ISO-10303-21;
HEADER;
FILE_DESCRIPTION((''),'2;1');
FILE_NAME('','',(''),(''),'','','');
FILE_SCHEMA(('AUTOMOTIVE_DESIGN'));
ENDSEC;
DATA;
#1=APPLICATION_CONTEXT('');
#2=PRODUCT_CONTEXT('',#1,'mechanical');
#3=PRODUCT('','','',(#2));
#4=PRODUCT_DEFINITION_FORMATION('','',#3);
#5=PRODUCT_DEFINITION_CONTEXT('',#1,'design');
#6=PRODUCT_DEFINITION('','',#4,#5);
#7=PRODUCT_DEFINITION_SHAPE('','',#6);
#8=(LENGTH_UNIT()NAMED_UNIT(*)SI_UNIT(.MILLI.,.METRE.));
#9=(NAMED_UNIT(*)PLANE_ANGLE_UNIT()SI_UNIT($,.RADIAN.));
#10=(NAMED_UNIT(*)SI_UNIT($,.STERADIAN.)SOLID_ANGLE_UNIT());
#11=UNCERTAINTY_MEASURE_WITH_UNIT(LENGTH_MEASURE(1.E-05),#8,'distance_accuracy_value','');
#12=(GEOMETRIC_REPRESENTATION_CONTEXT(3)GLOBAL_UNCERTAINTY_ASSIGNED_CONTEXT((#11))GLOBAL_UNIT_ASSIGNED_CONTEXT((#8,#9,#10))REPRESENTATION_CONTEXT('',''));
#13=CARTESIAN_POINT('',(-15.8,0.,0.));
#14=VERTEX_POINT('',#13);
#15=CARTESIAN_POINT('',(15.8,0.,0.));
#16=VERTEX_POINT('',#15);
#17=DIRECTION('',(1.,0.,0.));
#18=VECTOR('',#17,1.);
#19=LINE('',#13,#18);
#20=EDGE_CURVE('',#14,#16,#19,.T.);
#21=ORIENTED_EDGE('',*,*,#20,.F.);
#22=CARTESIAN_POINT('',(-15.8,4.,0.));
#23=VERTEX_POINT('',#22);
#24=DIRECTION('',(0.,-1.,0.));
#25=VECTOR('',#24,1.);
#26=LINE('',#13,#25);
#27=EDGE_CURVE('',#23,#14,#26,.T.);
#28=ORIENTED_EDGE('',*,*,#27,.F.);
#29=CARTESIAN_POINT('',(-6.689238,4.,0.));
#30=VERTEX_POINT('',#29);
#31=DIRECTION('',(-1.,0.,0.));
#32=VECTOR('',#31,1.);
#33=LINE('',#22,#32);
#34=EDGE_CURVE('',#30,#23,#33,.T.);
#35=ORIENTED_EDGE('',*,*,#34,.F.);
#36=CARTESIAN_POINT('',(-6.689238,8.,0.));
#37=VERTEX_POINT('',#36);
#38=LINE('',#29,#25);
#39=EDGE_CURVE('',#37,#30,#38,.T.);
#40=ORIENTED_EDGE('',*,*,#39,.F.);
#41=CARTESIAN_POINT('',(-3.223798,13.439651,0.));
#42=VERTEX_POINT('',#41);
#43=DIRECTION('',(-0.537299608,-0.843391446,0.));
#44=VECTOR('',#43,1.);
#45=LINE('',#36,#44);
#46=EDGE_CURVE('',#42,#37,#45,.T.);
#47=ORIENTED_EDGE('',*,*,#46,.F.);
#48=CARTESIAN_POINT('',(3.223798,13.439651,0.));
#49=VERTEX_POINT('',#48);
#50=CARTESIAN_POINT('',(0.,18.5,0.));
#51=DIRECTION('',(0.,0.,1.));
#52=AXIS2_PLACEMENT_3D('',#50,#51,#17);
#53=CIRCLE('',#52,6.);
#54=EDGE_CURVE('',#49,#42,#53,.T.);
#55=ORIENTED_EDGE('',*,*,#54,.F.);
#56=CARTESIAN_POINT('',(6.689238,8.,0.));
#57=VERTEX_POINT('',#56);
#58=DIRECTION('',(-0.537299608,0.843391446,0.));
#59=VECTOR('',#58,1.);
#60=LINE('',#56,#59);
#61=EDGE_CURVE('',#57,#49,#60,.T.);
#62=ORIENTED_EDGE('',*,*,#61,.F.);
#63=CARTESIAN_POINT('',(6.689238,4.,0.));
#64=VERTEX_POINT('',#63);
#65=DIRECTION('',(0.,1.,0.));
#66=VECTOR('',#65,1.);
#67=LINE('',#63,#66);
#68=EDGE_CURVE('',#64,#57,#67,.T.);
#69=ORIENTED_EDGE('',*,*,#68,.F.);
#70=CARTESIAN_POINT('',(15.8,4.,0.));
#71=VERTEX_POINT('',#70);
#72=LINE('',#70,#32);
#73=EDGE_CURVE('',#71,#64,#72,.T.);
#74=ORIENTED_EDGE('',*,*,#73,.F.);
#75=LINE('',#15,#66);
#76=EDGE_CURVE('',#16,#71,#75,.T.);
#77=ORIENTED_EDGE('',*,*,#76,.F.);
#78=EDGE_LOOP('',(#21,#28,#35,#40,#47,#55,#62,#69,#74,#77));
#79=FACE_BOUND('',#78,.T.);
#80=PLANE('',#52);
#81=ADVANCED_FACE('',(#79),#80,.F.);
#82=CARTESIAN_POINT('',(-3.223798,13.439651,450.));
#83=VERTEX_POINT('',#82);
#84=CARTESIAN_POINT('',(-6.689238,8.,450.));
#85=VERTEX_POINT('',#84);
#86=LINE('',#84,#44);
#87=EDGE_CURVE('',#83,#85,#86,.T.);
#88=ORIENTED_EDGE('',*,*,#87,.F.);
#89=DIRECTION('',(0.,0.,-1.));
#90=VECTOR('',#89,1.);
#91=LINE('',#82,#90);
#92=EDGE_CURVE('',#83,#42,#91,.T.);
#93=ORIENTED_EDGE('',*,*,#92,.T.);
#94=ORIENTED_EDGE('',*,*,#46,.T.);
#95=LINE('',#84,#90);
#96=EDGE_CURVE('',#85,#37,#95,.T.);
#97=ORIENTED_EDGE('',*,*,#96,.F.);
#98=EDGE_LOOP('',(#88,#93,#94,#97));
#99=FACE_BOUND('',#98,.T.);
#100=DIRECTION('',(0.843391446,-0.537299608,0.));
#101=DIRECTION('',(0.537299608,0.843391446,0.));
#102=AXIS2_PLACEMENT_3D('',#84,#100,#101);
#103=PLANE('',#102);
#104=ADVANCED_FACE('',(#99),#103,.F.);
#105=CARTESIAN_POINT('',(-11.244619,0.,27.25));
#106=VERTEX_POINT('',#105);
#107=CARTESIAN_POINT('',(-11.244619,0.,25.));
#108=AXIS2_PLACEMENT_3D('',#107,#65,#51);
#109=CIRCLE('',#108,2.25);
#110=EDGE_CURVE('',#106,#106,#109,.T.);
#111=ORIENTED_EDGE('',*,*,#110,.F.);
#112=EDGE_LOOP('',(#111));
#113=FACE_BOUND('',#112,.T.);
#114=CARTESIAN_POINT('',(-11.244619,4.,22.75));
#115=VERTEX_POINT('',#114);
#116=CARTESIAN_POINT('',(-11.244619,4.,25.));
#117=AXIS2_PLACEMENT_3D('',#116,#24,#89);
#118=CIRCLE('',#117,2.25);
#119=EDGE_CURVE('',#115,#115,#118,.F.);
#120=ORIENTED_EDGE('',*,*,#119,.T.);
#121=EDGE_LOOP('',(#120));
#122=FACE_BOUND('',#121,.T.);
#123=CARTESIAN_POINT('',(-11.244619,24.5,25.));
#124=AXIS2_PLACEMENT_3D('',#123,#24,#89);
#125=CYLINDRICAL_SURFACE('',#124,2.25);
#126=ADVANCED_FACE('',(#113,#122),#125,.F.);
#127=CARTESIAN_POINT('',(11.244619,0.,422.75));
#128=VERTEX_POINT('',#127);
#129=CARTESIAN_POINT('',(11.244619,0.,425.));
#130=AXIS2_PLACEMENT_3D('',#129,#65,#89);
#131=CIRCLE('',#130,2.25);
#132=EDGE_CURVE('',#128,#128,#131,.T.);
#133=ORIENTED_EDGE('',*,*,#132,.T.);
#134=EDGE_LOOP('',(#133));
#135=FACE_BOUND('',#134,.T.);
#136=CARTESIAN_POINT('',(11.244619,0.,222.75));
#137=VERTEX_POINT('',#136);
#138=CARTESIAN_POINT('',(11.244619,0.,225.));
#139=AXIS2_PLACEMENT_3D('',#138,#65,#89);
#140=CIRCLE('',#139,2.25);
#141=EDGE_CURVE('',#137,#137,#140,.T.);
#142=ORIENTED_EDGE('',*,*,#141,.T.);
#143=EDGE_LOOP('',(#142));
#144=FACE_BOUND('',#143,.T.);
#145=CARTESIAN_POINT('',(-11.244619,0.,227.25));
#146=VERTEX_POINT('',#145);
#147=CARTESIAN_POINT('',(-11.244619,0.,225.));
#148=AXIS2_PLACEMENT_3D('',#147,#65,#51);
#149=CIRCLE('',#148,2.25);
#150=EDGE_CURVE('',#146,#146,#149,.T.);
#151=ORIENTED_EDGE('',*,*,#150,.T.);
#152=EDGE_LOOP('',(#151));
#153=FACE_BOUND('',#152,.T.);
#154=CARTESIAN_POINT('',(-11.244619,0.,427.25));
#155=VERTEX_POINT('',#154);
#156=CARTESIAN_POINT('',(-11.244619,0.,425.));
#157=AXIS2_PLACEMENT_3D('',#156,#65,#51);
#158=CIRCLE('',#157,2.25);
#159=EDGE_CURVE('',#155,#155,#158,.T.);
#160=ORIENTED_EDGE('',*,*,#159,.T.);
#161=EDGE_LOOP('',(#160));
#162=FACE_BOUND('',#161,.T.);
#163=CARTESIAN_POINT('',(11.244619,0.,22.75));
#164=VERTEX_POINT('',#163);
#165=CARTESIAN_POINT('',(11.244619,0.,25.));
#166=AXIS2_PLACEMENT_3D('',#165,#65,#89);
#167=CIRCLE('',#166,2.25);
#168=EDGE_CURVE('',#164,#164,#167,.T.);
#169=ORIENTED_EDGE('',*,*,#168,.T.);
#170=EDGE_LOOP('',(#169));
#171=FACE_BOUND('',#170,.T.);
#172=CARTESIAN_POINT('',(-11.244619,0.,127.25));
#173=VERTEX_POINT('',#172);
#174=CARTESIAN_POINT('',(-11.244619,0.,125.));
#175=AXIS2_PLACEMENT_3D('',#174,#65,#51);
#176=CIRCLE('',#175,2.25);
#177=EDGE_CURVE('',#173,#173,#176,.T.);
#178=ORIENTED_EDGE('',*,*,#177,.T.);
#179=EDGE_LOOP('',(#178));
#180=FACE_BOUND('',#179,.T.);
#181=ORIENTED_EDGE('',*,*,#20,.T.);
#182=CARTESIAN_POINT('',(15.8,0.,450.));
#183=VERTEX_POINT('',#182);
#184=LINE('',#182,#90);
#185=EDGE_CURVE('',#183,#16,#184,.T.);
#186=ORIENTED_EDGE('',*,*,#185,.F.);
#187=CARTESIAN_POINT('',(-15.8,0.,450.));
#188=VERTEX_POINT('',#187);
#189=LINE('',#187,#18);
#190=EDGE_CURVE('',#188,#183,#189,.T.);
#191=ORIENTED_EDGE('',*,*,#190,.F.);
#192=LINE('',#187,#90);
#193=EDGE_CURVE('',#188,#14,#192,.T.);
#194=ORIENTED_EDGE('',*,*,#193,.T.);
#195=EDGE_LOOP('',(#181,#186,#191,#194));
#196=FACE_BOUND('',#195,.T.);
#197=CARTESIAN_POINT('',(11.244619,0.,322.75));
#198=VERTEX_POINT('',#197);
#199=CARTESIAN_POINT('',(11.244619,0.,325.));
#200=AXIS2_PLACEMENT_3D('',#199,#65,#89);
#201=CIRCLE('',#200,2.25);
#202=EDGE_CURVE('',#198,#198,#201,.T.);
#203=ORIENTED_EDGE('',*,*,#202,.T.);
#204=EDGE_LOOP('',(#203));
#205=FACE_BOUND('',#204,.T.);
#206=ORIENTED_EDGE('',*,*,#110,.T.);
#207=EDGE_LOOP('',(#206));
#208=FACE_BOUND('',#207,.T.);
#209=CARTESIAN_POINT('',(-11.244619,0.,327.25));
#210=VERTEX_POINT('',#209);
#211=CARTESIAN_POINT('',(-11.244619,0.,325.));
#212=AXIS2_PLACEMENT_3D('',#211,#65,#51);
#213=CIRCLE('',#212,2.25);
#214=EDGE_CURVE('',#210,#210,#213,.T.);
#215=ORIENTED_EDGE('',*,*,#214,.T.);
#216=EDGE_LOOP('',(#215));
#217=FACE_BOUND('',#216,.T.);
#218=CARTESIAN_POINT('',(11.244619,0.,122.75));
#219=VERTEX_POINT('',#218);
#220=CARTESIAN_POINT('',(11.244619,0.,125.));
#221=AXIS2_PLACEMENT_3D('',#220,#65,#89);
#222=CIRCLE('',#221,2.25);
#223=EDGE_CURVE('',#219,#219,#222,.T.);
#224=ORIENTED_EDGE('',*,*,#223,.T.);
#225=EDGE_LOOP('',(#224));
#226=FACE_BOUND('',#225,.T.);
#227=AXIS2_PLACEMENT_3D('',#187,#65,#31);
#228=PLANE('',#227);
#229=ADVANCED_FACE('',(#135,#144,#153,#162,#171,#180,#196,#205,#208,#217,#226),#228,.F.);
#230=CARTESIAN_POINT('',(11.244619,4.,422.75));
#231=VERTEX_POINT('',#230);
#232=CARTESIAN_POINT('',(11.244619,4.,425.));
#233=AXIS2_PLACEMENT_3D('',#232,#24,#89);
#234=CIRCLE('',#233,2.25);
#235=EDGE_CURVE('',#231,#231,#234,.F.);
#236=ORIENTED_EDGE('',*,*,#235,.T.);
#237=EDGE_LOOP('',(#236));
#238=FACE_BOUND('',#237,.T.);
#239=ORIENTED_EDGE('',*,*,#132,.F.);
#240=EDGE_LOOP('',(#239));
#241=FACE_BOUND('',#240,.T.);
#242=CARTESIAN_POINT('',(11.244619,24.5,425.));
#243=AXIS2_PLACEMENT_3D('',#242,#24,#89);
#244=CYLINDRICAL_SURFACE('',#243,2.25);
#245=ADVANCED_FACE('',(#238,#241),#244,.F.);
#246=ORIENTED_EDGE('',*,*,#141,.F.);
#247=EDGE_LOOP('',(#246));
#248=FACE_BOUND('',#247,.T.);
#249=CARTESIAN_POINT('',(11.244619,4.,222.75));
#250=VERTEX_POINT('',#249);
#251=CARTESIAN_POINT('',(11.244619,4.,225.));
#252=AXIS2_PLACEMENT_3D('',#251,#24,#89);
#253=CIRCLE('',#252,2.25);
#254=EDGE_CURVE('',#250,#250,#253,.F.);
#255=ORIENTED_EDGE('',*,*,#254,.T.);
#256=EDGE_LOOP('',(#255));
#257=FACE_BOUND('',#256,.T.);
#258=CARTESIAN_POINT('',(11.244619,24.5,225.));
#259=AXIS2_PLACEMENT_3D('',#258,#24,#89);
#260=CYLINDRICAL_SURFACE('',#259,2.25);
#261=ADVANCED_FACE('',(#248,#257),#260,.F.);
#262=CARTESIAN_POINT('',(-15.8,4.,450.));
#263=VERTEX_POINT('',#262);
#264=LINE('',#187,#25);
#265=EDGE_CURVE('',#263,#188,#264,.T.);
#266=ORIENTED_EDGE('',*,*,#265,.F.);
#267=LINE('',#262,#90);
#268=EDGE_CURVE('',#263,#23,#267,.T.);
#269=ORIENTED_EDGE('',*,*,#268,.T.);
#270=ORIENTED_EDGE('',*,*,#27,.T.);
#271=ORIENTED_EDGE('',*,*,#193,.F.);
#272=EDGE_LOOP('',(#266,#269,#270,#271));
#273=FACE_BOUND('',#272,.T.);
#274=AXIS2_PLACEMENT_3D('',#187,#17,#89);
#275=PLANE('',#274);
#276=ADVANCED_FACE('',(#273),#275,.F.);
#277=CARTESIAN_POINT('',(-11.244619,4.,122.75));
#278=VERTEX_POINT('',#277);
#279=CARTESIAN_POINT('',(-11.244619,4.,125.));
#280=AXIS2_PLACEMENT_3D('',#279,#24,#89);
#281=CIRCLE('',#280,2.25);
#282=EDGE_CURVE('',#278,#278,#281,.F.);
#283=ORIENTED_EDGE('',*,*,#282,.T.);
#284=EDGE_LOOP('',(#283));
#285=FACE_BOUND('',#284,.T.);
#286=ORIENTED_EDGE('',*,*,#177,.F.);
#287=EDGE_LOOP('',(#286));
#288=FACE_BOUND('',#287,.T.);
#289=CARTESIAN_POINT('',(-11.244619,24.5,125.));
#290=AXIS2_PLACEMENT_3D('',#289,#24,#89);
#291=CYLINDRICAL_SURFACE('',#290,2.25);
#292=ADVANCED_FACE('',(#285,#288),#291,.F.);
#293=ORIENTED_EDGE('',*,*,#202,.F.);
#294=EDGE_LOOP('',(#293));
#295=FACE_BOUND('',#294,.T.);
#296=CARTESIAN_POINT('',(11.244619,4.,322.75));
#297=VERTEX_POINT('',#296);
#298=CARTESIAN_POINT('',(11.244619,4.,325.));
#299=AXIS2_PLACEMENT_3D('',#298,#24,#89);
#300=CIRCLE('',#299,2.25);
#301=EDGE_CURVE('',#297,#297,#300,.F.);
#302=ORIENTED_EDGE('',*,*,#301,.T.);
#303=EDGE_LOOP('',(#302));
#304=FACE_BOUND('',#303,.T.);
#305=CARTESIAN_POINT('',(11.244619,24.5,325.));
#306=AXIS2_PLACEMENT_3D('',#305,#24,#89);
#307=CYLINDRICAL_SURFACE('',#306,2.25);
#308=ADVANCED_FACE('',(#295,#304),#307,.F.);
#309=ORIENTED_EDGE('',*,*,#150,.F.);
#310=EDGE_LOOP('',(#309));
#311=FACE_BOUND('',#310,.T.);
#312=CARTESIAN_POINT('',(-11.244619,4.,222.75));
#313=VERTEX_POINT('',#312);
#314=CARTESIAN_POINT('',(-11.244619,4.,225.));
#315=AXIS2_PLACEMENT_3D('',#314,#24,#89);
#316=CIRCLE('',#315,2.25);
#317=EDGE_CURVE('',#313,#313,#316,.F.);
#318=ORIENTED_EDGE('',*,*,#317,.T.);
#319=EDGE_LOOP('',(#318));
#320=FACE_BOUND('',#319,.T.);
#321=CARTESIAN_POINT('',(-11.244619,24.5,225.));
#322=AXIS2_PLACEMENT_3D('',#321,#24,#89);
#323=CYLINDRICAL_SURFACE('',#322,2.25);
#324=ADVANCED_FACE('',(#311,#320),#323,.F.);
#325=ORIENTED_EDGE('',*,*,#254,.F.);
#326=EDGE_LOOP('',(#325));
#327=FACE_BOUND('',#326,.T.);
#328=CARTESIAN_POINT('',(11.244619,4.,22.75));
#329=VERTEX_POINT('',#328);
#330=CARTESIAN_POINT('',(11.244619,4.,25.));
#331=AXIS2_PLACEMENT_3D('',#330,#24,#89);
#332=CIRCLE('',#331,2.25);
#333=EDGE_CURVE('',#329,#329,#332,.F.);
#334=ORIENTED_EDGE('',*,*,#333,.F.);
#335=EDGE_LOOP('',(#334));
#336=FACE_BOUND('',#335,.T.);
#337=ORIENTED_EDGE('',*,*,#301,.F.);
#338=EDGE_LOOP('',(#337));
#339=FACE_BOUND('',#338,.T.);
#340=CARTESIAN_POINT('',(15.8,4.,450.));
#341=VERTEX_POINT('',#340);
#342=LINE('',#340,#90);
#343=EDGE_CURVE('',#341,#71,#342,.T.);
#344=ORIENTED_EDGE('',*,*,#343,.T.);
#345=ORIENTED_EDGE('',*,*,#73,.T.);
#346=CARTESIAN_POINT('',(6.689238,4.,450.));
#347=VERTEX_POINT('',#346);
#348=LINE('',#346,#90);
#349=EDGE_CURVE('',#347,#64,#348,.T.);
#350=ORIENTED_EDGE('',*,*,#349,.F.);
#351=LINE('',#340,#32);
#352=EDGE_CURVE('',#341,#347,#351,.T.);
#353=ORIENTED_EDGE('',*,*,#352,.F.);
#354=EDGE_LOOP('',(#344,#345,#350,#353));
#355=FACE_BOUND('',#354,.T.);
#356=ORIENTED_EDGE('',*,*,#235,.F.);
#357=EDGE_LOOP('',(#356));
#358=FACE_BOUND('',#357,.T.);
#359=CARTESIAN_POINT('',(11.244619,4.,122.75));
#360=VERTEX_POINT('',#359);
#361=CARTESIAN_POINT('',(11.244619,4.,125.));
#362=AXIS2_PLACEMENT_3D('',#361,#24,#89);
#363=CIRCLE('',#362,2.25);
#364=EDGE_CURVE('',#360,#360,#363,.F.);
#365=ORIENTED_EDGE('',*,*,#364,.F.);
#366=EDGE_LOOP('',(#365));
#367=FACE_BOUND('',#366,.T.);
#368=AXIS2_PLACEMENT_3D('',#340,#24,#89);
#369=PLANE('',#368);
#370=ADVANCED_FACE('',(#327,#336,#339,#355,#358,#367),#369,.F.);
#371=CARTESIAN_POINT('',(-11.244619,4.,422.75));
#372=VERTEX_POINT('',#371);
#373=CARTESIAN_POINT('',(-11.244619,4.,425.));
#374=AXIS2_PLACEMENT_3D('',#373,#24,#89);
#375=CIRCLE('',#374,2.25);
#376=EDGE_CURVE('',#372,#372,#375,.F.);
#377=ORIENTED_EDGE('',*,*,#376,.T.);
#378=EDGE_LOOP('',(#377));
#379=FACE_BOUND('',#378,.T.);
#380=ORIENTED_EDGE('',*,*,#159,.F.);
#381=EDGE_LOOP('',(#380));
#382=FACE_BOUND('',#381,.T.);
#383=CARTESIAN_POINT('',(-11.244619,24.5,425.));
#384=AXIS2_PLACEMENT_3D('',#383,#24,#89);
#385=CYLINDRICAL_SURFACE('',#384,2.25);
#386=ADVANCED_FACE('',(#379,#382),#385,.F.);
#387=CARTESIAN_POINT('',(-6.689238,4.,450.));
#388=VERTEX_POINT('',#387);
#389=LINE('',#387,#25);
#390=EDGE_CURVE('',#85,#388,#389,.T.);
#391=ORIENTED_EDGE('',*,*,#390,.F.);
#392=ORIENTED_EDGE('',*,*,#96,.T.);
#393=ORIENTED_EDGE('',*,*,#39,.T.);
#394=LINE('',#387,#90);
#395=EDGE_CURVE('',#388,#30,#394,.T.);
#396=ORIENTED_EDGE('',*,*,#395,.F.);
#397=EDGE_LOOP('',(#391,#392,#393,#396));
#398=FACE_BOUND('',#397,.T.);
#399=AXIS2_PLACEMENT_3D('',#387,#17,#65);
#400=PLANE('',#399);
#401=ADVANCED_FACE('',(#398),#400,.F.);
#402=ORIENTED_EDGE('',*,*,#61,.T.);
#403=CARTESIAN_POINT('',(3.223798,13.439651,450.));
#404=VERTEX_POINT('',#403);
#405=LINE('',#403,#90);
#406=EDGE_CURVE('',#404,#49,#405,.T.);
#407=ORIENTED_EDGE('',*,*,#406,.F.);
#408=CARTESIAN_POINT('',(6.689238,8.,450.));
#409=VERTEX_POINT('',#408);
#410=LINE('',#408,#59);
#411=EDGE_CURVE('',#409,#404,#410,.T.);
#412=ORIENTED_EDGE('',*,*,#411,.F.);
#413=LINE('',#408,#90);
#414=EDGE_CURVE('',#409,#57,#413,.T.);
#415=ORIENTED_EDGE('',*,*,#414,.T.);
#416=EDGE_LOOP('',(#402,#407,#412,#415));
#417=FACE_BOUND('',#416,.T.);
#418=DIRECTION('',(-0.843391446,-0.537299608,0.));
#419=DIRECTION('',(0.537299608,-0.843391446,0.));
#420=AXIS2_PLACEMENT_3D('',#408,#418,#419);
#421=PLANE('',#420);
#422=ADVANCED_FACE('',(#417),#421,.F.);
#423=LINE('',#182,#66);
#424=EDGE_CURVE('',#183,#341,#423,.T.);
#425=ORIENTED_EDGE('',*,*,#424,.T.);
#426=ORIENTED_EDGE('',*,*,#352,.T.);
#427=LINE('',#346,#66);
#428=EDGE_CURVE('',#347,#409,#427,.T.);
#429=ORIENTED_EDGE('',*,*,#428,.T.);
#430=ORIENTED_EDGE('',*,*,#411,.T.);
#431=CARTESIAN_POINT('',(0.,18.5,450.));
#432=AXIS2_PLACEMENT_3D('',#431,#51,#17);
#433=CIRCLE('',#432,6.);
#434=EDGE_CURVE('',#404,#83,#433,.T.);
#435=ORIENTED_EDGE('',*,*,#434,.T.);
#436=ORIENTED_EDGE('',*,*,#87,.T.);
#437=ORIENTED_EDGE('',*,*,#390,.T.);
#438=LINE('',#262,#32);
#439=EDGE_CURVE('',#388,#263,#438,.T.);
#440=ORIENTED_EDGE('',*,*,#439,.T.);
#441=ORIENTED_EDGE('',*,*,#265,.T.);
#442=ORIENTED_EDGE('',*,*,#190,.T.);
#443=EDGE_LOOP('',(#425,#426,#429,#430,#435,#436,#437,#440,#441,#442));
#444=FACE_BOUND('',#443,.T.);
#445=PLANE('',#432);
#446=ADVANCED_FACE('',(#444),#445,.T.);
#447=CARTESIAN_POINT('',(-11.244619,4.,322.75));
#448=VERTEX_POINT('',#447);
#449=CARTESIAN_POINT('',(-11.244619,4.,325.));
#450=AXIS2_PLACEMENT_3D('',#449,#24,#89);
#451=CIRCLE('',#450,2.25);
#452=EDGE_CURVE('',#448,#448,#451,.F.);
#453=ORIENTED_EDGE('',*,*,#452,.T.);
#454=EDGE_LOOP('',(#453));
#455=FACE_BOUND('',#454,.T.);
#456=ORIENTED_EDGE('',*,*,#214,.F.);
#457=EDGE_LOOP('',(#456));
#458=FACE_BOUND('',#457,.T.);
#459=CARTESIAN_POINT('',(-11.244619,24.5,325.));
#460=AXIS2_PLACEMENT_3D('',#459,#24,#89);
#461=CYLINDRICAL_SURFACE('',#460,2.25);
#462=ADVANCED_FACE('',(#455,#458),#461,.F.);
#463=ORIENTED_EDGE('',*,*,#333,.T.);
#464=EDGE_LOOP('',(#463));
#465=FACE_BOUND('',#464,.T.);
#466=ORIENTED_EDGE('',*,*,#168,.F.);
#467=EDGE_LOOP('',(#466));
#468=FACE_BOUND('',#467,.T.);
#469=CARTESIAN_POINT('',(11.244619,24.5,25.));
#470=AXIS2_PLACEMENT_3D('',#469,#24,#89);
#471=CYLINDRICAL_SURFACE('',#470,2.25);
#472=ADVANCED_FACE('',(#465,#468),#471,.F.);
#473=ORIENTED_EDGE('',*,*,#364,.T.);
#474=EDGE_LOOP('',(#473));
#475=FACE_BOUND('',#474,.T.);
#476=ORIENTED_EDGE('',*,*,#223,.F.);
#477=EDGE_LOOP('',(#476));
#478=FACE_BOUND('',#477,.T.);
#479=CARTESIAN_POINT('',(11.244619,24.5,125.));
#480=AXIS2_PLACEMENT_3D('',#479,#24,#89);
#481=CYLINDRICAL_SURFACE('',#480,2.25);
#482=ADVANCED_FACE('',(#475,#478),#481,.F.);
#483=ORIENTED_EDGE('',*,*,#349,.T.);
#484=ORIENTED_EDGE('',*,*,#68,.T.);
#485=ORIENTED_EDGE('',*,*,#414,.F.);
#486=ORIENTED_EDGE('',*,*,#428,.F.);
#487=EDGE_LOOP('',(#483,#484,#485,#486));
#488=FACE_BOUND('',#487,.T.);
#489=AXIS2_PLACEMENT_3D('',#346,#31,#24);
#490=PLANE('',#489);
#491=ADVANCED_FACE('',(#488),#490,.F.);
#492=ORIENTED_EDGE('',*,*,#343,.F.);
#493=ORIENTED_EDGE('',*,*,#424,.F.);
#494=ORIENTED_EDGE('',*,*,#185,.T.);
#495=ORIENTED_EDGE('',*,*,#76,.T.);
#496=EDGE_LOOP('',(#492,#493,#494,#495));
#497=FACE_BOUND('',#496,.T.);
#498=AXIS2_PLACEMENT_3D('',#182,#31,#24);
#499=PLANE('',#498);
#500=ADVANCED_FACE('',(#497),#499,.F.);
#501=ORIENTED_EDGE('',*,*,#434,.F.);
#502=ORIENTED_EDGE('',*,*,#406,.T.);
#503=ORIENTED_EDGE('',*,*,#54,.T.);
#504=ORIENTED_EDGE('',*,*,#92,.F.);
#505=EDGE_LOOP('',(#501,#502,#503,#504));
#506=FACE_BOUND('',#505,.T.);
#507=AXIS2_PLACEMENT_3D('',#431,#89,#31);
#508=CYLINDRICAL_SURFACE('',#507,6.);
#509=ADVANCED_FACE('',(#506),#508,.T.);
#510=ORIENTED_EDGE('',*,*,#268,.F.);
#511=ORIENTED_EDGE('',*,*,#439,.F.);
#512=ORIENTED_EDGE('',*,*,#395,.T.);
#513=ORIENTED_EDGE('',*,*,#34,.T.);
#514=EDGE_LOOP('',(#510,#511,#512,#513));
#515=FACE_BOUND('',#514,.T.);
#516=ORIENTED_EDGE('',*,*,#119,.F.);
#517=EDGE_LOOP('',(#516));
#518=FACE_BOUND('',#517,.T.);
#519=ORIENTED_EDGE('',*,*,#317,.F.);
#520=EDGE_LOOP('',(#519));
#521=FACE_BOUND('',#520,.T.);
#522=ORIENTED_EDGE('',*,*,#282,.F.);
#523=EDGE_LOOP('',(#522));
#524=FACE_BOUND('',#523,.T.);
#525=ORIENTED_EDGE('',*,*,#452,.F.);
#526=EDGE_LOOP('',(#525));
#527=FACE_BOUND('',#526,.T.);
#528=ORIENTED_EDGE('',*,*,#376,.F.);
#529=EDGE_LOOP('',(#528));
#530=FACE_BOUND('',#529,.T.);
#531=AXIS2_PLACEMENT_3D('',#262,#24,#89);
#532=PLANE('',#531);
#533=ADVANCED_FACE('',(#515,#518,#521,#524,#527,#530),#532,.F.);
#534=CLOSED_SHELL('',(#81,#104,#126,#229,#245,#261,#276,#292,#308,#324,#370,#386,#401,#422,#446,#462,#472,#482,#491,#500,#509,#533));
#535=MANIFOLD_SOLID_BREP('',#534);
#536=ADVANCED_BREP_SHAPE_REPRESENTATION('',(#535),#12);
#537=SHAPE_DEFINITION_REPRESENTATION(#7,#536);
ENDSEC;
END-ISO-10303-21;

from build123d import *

# Parameters (mm, degrees)
BOSS_EXTRUDE1_DEPTH = 450
SKETCH3_R           = 2.25
CUT_EXTRUDE2_DEPTH  = 451.943333469


with BuildPart() as part:
    # Sketch1 → Boss-Extrude1 (new body)
    with BuildSketch(Plane.XY):
        with BuildLine():
            Line((-15.8, 0), (15.8, 0))
            Line((15.8, 0), (15.8, 4))
            Line((15.8, 4), (6.689237738, 4))
            Line((6.689237738, 4), (6.689237738, 8))
            Line((6.689237738, 8), (3.22379765, 13.439651325))
            ThreePointArc((3.22379765, 13.439651325), (0, 24.5), (-3.22379765, 13.439651325))
            Line((-3.22379765, 13.439651325), (-6.689237738, 8))
            Line((-6.689237738, 8), (-6.689237738, 4))
            Line((-6.689237738, 4), (-15.8, 4))
            Line((-15.8, 4), (-15.8, 0))
        make_face()
    extrude(amount=BOSS_EXTRUDE1_DEPTH)

    # Sketch3 → Cut-Extrude2 (cut, through all)
    with BuildSketch(Plane(origin=(0, 0, 0), x_dir=(1, 0, 0), z_dir=(0, 1, 0))):
        with Locations(Location((-11.244618869, -25, 0), (0, 0, 90))):
            Circle(SKETCH3_R)
        with Locations(Location((11.244618869, -25, 0), (0, 0, 90))):
            Circle(SKETCH3_R)
        with Locations(Location((-11.244618869, -125, 0), (0, 0, 90))):
            Circle(SKETCH3_R)
        with Locations(Location((11.244618869, -125, 0), (0, 0, 90))):
            Circle(SKETCH3_R)
        with Locations(Location((-11.244618869, -225, 0), (0, 0, 90))):
            Circle(SKETCH3_R)
        with Locations(Location((11.244618869, -225, 0), (0, 0, 90))):
            Circle(SKETCH3_R)
        with Locations(Location((-11.244618869, -325, 0), (0, 0, 90))):
            Circle(SKETCH3_R)
        with Locations(Location((11.244618869, -325, 0), (0, 0, 90))):
            Circle(SKETCH3_R)
        with Locations(Location((-11.244618869, -425, 0), (0, 0, 90))):
            Circle(SKETCH3_R)
        with Locations(Location((11.244618869, -425, 0), (0, 0, 90))):
            Circle(SKETCH3_R)
    extrude(amount=CUT_EXTRUDE2_DEPTH, mode=Mode.SUBTRACT)


solid = part.part
